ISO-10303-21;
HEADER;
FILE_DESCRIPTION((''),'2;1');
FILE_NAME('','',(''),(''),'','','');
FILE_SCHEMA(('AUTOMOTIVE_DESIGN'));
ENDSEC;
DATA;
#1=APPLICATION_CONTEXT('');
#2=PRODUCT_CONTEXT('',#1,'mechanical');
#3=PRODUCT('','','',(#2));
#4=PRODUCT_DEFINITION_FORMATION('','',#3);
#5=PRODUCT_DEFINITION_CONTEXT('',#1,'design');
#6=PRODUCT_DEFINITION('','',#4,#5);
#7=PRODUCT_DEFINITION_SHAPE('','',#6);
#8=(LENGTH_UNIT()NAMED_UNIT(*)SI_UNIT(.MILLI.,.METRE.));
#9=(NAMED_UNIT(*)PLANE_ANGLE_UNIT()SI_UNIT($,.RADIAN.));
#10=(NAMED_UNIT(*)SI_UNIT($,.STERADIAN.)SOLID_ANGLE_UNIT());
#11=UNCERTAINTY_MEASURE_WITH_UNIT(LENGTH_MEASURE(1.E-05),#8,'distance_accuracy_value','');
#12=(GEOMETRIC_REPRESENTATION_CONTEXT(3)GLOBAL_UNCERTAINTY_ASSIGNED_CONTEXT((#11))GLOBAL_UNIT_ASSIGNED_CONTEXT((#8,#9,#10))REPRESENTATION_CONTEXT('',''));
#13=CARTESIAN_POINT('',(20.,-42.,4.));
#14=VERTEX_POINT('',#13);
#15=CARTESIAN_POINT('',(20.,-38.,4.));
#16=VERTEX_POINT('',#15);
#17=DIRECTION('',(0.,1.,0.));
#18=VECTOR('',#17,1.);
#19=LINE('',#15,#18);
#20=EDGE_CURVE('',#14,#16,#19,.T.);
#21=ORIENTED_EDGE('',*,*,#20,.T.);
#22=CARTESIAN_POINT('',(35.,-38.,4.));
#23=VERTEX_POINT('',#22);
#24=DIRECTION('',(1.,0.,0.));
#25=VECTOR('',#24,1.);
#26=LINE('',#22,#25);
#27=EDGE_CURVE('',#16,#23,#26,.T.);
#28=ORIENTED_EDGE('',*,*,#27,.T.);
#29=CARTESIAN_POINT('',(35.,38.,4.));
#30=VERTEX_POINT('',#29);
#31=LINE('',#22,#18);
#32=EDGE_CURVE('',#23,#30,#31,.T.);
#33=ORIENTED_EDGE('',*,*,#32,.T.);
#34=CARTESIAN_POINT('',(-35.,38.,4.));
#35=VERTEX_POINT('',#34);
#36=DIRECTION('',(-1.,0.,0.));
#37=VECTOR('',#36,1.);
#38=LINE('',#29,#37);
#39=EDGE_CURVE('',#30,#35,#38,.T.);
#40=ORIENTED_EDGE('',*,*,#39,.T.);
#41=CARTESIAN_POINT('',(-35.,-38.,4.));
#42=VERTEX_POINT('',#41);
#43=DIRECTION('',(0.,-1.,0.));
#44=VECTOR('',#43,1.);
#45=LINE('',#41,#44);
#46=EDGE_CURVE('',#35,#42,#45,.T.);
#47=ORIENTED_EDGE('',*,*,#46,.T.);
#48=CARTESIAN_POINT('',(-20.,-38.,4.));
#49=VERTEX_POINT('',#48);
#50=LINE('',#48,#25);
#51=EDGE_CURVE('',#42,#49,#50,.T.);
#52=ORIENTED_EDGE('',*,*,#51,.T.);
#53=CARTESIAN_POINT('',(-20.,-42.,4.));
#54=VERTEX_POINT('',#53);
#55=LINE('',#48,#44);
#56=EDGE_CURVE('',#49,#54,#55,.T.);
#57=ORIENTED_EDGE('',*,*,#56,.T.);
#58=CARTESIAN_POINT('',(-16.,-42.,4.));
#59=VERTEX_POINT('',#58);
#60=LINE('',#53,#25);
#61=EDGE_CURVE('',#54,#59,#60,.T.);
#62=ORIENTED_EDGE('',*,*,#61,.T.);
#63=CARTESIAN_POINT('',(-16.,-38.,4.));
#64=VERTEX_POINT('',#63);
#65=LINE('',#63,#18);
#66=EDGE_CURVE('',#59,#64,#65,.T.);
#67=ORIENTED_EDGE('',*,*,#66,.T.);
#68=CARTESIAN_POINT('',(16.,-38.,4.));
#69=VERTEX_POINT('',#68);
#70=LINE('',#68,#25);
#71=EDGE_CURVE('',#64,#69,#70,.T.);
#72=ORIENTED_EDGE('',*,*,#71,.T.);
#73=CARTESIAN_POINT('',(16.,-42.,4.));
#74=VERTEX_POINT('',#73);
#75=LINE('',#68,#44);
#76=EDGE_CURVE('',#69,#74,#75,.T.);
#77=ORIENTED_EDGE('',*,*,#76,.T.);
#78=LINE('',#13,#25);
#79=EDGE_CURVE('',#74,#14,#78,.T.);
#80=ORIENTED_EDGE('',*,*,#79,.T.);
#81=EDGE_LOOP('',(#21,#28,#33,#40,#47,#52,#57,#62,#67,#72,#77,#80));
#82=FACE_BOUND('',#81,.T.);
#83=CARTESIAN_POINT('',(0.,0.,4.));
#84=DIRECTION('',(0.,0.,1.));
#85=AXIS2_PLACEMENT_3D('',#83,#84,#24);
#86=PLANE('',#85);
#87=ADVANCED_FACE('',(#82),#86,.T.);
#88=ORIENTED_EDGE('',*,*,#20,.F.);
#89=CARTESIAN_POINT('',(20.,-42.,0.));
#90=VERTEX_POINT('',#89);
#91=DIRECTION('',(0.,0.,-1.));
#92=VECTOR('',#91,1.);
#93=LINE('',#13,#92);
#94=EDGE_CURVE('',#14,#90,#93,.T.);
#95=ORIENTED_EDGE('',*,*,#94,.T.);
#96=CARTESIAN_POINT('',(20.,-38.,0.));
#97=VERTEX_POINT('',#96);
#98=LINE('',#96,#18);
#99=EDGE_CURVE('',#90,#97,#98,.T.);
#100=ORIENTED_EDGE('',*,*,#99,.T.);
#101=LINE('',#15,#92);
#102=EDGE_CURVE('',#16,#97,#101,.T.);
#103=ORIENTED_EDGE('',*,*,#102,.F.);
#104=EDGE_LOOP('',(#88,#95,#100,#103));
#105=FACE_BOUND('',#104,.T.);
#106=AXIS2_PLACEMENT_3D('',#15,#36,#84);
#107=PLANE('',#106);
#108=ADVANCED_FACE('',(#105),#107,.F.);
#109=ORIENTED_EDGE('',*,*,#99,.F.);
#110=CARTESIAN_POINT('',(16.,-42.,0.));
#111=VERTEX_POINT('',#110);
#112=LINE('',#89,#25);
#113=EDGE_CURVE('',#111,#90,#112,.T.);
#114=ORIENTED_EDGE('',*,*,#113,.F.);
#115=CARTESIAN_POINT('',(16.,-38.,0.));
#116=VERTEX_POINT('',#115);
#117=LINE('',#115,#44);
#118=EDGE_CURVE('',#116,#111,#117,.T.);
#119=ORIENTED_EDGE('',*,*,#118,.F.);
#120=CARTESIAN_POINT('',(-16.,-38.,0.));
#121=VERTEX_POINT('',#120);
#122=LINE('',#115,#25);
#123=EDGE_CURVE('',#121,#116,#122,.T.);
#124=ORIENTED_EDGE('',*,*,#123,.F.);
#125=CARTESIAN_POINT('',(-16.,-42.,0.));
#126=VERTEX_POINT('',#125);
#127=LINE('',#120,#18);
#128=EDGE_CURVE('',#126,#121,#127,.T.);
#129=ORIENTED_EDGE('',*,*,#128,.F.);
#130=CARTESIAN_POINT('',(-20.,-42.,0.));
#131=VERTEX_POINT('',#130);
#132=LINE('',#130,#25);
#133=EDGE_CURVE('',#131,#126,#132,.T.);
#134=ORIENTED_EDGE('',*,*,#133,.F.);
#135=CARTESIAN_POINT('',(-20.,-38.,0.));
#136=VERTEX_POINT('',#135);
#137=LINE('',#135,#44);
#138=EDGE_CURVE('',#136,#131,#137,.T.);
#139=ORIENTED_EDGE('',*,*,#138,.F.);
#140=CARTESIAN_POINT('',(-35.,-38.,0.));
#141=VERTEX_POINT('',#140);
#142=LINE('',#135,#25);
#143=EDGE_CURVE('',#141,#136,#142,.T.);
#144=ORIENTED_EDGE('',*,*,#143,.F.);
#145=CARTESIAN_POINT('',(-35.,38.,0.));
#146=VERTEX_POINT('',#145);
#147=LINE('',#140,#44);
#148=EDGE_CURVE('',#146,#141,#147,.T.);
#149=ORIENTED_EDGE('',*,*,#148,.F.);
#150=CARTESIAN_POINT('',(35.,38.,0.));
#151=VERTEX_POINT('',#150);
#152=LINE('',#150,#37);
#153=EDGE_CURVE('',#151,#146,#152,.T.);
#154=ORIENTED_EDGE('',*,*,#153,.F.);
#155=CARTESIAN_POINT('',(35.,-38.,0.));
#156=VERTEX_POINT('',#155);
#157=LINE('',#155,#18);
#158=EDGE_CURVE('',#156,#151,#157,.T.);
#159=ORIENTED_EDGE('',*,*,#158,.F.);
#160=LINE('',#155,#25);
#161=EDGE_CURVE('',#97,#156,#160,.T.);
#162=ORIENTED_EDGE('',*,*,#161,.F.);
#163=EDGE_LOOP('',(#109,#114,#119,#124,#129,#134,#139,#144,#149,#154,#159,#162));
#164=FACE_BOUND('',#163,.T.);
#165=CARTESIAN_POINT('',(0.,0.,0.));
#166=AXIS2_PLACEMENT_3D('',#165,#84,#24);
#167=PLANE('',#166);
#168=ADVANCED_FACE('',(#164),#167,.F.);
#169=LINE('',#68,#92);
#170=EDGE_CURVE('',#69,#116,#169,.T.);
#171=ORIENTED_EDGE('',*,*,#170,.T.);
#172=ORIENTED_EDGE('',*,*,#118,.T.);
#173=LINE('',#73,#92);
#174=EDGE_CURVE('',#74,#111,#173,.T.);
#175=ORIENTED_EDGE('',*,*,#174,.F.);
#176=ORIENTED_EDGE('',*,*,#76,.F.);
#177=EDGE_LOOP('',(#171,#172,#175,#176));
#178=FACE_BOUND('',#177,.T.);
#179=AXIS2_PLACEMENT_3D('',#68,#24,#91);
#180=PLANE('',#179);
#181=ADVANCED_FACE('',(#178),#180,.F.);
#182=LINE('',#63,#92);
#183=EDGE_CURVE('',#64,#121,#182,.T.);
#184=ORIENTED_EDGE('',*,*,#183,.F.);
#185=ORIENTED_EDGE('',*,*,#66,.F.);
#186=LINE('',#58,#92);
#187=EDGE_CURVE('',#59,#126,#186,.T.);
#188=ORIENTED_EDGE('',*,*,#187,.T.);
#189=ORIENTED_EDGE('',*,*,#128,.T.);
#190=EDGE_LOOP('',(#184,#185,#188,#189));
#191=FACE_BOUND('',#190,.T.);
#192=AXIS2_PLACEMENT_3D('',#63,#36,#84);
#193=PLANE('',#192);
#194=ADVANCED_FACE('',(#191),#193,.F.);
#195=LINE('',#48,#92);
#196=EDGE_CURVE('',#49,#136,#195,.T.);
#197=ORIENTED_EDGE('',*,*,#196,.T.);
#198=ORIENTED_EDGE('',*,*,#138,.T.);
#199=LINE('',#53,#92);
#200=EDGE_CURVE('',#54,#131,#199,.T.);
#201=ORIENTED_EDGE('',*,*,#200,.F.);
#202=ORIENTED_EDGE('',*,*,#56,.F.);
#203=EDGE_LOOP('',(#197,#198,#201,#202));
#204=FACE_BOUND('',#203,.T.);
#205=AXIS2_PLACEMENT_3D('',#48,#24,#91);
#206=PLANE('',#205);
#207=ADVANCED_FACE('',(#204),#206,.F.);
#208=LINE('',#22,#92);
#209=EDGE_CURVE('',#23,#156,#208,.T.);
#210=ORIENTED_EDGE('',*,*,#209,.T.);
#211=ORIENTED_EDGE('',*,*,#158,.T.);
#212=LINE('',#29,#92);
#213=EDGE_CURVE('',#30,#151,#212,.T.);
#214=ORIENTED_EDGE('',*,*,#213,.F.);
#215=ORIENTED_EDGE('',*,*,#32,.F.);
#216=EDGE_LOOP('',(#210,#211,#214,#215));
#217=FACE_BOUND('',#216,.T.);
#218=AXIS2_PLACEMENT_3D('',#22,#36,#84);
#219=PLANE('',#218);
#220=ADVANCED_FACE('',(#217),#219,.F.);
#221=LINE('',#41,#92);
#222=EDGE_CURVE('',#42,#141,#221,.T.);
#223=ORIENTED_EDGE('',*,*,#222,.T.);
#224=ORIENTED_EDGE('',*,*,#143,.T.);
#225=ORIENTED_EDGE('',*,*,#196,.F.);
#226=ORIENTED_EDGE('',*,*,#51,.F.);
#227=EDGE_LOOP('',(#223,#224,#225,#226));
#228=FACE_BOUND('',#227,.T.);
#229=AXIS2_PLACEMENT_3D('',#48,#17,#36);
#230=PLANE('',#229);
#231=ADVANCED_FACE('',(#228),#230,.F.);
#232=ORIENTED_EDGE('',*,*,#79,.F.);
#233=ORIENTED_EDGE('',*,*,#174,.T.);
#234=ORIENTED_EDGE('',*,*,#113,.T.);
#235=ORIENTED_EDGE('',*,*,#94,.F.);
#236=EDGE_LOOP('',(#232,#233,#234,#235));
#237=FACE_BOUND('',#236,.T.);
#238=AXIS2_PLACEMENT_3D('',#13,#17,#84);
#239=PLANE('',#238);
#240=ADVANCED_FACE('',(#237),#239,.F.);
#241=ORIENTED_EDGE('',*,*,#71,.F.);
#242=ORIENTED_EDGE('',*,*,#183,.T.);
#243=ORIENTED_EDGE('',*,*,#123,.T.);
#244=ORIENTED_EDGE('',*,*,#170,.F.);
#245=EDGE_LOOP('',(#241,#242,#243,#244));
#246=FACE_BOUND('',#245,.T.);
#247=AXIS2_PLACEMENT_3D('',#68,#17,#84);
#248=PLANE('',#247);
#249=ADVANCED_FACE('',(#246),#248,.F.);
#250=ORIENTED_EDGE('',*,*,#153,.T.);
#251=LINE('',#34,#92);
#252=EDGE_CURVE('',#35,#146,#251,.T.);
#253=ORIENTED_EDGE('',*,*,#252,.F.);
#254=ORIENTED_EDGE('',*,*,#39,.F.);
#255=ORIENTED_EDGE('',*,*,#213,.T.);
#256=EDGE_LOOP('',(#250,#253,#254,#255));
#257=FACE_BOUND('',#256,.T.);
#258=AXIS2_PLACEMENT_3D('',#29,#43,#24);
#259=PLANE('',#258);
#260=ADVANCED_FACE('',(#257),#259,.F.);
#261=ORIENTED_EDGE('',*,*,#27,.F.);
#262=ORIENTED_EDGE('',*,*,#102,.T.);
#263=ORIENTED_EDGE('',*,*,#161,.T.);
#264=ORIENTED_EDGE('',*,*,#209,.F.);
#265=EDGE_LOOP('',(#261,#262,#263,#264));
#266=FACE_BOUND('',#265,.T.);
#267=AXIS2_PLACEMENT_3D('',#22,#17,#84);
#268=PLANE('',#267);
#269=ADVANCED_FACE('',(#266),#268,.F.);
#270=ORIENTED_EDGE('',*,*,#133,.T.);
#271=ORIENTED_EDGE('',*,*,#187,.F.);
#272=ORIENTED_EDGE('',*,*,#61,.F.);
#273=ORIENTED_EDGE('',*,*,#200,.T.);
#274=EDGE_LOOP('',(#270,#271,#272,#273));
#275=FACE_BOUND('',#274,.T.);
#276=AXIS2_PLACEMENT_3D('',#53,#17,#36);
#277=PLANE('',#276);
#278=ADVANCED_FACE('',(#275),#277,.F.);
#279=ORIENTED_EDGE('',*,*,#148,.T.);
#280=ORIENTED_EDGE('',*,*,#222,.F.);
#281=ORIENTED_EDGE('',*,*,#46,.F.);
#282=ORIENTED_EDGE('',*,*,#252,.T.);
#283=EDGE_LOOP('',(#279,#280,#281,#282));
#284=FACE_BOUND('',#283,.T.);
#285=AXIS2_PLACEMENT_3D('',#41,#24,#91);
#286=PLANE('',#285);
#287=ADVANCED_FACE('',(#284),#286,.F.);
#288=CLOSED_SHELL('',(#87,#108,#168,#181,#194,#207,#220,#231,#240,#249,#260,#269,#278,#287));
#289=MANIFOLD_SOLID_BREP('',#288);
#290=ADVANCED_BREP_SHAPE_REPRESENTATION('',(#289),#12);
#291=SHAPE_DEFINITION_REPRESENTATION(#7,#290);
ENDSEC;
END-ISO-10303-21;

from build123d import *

# Parameters (mm, degrees)
BOSS_EXTRU_1_DEPTH = 4


with BuildPart() as part:
    # Esquisse1 → Boss.-Extru.1 (new body)
    with BuildSketch(Plane.XY):
        Polygon((16, -38), (-16, -38), (-16, -42), (-20, -42), (-20, -38), (-35, -38), (-35, 38), (35, 38), (35, -38), (20, -38), (20, -42), (16, -42), align=None)
    extrude(amount=BOSS_EXTRU_1_DEPTH)


solid = part.part
